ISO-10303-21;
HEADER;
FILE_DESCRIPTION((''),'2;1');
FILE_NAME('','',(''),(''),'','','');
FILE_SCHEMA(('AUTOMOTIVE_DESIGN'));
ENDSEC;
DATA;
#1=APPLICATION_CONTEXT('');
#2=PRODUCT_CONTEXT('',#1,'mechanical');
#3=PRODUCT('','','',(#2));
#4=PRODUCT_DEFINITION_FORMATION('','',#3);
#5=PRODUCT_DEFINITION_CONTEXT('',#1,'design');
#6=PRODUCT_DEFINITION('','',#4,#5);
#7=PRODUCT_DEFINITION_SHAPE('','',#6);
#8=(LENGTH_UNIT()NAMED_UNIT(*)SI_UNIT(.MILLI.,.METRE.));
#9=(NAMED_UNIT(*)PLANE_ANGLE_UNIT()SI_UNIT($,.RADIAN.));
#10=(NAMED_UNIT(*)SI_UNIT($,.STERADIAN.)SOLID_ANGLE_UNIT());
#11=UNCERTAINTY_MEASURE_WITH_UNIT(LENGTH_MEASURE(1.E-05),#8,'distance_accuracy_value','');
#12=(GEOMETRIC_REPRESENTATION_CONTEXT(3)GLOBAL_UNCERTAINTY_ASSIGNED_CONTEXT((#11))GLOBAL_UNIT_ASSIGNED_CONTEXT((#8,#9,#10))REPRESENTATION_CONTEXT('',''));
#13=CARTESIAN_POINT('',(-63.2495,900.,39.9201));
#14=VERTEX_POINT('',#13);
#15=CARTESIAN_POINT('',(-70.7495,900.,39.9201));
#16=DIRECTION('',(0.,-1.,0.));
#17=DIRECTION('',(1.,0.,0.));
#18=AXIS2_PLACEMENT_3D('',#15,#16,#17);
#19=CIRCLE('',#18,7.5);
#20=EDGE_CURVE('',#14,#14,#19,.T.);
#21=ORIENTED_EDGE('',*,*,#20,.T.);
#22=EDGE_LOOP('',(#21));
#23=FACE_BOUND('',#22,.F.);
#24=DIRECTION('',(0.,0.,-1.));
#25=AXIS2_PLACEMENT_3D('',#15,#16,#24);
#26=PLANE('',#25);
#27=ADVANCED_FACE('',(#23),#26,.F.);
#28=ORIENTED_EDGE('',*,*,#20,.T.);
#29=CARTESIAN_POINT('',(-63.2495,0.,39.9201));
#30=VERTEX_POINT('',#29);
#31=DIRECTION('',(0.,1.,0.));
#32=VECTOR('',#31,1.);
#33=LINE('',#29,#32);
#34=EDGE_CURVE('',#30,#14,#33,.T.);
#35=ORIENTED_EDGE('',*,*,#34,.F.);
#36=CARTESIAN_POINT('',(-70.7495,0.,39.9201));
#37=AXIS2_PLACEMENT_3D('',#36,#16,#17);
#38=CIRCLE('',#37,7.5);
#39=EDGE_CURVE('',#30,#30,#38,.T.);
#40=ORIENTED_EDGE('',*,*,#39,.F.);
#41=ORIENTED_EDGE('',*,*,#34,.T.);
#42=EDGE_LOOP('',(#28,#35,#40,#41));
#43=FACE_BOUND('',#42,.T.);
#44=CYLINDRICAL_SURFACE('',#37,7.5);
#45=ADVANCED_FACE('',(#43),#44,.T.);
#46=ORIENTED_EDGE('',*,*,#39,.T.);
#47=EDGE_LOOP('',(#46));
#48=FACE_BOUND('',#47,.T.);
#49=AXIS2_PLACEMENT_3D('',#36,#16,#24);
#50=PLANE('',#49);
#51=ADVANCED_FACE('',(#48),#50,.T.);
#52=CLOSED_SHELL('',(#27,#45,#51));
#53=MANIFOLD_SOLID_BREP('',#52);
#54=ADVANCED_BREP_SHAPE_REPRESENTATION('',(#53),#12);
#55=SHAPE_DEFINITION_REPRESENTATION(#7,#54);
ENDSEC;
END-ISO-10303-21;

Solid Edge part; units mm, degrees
sketch "Sketch1" plane through (0, 0, 0) normal (0, -1, 0) x (1, 0, 0)
  circle A0 centre (-70.7495, 39.9201) radius 7.5
  dimension "D1" = 15
extrude "Protrusion1" add sketch "Sketch1" against normal blind 900
properties material "Aluminum, 6061-T6"
